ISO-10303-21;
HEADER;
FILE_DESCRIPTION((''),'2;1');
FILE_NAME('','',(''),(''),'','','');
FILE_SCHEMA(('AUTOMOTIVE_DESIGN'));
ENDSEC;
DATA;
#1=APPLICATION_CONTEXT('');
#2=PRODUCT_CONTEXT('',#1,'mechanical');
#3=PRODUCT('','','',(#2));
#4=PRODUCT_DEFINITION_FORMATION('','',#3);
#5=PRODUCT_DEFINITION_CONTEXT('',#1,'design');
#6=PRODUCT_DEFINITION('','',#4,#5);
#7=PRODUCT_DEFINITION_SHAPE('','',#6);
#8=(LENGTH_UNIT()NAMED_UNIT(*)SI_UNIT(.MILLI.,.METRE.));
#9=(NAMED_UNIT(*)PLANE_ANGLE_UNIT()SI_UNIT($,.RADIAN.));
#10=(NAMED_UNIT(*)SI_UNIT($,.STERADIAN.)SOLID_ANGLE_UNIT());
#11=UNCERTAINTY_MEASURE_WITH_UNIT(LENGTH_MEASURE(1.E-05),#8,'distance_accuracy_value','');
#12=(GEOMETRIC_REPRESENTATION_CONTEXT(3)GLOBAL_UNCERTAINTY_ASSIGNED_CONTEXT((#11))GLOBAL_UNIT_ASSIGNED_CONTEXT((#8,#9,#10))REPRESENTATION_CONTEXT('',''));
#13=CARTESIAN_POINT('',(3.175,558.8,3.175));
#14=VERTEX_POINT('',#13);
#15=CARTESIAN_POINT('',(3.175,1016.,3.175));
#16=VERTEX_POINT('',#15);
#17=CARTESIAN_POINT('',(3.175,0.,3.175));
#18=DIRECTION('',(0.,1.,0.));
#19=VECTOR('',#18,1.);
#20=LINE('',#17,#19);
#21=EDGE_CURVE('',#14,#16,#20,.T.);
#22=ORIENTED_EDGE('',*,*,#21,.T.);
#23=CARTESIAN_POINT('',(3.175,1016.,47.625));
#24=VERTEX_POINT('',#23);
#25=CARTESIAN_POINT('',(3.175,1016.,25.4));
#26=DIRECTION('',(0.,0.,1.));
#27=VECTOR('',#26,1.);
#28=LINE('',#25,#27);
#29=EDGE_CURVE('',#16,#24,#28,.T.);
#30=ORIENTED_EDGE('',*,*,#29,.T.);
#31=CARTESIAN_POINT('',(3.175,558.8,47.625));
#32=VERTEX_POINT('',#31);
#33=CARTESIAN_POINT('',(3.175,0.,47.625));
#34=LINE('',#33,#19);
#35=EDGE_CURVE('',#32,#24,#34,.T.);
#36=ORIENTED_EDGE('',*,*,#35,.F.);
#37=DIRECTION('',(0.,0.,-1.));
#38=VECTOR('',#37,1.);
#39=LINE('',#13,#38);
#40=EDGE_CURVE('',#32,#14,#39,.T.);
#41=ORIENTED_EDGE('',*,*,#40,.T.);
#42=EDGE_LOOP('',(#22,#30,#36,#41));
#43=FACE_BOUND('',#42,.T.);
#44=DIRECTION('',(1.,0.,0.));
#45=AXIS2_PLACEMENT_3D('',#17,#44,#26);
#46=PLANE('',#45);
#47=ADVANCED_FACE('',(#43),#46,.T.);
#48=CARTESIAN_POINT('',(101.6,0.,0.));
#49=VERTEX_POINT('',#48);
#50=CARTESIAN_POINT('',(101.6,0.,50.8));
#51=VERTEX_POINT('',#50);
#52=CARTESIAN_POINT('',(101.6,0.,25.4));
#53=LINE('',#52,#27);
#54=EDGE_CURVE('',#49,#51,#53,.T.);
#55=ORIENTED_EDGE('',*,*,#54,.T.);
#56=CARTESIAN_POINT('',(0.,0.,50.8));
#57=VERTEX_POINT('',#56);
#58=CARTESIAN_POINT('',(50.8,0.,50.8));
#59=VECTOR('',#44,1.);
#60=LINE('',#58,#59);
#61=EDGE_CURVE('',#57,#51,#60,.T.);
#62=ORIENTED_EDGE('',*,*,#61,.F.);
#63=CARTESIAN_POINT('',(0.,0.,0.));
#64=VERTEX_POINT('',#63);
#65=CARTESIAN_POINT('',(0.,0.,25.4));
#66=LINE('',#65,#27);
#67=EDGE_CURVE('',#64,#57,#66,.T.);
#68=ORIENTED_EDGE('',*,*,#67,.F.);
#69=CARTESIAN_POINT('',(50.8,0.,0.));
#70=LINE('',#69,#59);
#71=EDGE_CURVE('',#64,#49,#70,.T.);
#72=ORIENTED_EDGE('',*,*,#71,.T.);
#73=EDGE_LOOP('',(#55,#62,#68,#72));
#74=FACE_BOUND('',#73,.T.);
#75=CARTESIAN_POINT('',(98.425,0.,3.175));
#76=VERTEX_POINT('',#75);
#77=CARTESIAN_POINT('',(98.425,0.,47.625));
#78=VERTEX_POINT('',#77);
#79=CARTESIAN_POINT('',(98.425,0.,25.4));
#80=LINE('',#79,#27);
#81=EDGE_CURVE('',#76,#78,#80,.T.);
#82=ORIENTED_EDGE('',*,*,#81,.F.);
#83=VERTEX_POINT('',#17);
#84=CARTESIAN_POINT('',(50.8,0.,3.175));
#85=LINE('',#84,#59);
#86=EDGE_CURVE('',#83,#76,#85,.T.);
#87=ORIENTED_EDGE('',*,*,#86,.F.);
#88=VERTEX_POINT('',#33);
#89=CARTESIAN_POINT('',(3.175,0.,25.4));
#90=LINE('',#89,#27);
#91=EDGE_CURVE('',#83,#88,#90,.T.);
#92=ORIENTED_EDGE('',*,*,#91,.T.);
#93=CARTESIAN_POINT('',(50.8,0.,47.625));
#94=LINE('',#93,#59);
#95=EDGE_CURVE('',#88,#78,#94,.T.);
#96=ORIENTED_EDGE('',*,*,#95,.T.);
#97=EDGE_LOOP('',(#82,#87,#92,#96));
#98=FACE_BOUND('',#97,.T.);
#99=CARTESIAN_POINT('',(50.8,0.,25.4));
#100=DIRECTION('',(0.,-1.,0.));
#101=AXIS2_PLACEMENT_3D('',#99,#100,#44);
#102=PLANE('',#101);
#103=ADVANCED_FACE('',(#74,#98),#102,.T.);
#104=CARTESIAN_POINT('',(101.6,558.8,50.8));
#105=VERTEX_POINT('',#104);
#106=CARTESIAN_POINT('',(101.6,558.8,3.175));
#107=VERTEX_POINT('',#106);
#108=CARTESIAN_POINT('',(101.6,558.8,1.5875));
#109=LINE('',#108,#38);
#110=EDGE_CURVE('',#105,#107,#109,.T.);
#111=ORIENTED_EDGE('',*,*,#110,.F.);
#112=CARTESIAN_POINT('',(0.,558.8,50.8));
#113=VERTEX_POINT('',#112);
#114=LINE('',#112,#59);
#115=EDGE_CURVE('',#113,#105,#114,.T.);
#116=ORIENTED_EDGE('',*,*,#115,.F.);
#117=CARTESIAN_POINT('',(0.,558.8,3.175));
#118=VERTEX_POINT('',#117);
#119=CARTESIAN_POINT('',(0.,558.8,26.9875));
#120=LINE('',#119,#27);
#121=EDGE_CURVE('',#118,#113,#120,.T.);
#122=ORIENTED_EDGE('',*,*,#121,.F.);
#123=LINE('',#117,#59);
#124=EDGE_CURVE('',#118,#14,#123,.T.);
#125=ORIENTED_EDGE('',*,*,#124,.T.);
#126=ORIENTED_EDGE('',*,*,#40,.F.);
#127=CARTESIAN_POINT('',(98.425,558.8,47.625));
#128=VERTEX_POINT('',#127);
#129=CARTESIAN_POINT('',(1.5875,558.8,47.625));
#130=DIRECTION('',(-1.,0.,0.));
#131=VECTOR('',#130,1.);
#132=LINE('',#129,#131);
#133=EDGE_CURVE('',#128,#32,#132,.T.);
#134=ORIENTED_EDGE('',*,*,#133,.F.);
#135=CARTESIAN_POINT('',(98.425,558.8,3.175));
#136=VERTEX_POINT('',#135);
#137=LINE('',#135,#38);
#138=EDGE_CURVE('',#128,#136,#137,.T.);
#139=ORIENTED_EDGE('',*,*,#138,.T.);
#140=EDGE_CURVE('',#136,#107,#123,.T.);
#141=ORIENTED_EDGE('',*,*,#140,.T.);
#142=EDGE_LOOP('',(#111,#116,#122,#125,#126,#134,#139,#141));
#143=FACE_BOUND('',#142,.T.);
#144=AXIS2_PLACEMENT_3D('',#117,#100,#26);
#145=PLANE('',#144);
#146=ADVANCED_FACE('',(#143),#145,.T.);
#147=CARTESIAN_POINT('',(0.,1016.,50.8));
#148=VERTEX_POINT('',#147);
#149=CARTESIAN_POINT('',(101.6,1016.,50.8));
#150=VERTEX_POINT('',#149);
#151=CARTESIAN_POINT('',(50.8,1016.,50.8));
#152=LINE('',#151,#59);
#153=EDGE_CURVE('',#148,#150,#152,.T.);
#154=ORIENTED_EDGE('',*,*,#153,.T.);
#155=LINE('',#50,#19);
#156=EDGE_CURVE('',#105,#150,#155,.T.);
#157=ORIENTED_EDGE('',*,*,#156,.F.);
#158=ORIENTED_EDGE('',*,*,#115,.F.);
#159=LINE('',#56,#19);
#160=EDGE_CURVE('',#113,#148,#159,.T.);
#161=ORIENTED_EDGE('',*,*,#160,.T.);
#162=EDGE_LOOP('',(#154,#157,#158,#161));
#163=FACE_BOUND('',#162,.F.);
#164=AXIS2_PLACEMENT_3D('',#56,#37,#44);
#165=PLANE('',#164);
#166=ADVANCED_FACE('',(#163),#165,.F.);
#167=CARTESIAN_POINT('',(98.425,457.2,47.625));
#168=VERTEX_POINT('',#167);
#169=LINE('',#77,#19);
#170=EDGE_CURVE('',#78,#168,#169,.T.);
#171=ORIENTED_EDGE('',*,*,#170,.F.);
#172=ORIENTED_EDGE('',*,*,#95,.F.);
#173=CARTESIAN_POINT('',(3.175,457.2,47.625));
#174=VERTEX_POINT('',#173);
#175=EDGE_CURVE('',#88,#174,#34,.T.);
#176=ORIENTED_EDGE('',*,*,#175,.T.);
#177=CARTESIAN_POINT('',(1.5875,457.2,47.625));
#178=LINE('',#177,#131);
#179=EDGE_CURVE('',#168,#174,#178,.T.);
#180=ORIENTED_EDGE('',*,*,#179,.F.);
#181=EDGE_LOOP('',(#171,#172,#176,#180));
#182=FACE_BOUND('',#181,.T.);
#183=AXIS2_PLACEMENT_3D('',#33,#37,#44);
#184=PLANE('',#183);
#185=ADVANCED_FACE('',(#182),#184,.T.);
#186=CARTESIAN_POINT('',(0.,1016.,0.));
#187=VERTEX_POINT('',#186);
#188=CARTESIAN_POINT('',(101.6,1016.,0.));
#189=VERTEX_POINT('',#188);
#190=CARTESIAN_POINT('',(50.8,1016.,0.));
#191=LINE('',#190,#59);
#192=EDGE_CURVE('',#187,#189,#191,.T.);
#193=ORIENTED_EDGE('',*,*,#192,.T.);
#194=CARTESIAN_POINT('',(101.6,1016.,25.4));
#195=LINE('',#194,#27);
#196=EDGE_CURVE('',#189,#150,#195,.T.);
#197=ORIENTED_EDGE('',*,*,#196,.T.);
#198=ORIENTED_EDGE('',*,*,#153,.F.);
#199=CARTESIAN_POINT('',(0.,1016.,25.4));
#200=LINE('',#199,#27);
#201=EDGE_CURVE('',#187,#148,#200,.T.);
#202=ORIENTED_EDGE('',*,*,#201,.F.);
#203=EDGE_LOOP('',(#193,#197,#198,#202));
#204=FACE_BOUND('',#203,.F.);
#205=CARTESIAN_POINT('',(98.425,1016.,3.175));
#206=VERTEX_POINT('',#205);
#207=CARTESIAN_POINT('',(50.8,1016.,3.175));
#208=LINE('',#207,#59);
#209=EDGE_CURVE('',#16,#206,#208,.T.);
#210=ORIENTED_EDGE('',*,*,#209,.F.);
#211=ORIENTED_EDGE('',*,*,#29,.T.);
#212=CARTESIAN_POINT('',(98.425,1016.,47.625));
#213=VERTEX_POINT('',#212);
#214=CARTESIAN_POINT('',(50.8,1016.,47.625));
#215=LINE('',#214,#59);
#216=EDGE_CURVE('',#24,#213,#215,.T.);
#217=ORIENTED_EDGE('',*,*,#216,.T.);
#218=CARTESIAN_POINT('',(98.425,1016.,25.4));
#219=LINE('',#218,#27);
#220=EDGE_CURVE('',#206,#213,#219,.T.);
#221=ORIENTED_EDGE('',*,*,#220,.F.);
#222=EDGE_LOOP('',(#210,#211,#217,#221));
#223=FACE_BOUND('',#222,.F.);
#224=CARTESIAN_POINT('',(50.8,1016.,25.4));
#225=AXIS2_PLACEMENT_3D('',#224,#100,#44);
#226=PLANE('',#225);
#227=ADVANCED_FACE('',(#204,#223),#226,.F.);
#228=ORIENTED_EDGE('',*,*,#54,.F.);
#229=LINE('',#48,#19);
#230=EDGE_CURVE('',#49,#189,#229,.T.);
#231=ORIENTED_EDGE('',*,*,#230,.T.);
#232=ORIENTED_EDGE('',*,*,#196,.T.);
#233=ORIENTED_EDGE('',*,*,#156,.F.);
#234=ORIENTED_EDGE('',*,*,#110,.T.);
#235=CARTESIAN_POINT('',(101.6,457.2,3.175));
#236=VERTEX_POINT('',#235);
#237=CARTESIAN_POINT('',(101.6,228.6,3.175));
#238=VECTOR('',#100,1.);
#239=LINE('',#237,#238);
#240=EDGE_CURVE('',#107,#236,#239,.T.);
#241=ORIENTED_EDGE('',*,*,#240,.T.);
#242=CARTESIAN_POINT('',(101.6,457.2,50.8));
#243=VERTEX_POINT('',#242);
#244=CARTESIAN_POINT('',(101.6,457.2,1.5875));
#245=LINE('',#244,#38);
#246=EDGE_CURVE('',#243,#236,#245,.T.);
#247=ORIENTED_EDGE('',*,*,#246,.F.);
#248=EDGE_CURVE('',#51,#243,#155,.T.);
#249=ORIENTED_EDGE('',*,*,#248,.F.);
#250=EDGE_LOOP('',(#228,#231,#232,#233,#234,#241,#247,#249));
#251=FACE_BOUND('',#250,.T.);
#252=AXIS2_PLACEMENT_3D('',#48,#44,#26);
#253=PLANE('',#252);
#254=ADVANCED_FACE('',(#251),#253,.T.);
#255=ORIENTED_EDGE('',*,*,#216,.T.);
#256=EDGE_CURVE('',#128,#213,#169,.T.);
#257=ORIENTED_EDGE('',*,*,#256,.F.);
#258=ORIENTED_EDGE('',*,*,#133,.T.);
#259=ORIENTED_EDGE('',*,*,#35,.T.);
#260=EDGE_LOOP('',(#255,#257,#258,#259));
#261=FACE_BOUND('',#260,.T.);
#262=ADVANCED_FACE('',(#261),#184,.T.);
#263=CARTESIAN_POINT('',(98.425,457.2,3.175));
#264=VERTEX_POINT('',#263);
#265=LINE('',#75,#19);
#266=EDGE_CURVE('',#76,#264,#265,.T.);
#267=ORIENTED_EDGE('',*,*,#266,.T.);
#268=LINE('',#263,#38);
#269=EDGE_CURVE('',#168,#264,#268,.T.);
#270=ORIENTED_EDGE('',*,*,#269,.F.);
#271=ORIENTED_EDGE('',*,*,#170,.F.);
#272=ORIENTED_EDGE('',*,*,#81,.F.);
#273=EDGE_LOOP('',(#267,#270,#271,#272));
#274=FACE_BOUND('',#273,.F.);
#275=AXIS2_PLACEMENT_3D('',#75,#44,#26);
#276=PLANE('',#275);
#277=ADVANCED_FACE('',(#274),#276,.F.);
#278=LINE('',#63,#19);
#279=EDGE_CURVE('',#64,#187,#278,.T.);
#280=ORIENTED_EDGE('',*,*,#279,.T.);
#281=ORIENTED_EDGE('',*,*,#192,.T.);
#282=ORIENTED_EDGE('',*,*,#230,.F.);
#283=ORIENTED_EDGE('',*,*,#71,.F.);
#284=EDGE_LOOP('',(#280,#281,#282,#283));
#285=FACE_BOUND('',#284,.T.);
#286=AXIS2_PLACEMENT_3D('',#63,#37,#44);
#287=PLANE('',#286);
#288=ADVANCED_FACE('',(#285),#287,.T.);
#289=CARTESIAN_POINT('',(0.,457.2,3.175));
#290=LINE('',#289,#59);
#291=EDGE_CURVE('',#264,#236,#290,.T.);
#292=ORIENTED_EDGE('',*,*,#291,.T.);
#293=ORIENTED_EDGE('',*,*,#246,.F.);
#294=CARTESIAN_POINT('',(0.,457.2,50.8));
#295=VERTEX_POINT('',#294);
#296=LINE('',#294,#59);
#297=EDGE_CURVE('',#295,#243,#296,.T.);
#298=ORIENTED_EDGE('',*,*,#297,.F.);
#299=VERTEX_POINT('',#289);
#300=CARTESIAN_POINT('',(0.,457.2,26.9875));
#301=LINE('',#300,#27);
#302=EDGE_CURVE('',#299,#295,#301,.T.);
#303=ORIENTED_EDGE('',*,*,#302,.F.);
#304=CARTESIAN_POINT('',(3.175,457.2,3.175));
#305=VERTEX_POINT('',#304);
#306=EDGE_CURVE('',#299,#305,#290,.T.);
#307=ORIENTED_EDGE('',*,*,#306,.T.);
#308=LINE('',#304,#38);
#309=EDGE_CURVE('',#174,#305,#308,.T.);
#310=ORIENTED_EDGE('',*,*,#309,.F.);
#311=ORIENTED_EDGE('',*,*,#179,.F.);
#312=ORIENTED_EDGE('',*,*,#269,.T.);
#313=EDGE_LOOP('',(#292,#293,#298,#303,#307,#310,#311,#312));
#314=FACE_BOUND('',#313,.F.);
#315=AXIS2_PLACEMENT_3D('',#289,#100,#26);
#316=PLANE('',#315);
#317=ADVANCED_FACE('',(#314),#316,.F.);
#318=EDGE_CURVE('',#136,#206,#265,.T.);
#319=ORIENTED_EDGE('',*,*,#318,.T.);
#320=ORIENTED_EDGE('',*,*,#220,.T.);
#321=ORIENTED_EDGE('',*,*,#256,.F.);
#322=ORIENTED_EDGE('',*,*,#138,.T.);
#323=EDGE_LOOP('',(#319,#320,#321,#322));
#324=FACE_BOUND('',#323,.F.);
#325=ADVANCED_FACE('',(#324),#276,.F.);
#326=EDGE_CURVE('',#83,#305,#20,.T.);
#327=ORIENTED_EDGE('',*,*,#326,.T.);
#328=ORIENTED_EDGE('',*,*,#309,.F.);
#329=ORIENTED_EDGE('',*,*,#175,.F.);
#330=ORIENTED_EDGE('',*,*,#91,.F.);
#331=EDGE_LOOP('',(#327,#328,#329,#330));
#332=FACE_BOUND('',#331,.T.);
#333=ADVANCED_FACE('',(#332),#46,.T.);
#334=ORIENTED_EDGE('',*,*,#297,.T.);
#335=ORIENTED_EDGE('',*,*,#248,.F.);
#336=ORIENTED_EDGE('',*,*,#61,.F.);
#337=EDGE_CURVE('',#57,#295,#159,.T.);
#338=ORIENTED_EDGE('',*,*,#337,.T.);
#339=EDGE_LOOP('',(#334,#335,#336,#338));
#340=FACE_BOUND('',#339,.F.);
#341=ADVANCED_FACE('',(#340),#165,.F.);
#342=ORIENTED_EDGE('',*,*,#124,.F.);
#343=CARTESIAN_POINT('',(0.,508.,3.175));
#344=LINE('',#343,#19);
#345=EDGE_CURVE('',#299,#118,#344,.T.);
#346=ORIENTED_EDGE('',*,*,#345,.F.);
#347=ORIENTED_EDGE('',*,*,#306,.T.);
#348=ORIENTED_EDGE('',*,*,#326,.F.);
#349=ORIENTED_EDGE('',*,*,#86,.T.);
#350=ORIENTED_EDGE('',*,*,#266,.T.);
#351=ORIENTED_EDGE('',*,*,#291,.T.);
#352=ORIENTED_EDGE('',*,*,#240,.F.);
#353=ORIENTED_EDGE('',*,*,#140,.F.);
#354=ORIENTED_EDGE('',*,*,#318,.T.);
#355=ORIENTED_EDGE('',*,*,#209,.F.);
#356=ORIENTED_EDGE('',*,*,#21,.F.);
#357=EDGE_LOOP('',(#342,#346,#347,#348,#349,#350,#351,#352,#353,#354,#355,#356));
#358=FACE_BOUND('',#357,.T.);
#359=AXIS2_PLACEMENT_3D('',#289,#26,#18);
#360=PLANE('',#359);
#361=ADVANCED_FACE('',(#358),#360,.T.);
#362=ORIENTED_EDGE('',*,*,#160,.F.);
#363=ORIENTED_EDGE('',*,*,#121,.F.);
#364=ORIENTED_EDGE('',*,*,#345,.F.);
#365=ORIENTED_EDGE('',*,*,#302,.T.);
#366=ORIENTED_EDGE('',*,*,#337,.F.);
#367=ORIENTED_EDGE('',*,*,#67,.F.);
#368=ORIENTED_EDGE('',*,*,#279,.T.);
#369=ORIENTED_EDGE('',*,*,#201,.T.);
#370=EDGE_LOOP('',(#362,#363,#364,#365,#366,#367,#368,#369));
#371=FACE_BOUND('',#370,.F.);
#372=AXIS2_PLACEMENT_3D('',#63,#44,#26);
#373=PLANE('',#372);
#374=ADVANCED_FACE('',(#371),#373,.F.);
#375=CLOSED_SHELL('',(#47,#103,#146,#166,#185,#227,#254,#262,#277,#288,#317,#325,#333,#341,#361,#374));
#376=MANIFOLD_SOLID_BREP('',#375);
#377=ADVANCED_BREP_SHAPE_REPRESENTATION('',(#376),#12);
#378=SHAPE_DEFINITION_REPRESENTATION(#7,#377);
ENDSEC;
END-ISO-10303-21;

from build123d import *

# Parameters (mm, degrees)
F0_W     = 101.6
F0_H     = 50.8
F0_W_2   = 95.25
F0_H_2   = 44.45
F1_DEPTH = 1016
F2_W     = 101.6
F2_H     = 47.625
F3_DEPTH = 101.601


with BuildPart() as f1:
    # F0 (on Front) → F1 (new body)
    with BuildSketch(Plane.XZ):
        with Locations((50.8, 25.4)):
            Rectangle(F0_W, F0_H)
        with Locations((50.8, 25.4)):
            Rectangle(F0_W_2, F0_H_2, mode=Mode.SUBTRACT)
    extrude(amount=-F1_DEPTH)

    # F2 (on Right) → F3 (cut, through all)
    with BuildSketch(Plane.YZ):
        with Locations((508, 26.9875)):
            Rectangle(F2_W, F2_H)
    extrude(amount=F3_DEPTH, mode=Mode.SUBTRACT)


solid = f1.part
